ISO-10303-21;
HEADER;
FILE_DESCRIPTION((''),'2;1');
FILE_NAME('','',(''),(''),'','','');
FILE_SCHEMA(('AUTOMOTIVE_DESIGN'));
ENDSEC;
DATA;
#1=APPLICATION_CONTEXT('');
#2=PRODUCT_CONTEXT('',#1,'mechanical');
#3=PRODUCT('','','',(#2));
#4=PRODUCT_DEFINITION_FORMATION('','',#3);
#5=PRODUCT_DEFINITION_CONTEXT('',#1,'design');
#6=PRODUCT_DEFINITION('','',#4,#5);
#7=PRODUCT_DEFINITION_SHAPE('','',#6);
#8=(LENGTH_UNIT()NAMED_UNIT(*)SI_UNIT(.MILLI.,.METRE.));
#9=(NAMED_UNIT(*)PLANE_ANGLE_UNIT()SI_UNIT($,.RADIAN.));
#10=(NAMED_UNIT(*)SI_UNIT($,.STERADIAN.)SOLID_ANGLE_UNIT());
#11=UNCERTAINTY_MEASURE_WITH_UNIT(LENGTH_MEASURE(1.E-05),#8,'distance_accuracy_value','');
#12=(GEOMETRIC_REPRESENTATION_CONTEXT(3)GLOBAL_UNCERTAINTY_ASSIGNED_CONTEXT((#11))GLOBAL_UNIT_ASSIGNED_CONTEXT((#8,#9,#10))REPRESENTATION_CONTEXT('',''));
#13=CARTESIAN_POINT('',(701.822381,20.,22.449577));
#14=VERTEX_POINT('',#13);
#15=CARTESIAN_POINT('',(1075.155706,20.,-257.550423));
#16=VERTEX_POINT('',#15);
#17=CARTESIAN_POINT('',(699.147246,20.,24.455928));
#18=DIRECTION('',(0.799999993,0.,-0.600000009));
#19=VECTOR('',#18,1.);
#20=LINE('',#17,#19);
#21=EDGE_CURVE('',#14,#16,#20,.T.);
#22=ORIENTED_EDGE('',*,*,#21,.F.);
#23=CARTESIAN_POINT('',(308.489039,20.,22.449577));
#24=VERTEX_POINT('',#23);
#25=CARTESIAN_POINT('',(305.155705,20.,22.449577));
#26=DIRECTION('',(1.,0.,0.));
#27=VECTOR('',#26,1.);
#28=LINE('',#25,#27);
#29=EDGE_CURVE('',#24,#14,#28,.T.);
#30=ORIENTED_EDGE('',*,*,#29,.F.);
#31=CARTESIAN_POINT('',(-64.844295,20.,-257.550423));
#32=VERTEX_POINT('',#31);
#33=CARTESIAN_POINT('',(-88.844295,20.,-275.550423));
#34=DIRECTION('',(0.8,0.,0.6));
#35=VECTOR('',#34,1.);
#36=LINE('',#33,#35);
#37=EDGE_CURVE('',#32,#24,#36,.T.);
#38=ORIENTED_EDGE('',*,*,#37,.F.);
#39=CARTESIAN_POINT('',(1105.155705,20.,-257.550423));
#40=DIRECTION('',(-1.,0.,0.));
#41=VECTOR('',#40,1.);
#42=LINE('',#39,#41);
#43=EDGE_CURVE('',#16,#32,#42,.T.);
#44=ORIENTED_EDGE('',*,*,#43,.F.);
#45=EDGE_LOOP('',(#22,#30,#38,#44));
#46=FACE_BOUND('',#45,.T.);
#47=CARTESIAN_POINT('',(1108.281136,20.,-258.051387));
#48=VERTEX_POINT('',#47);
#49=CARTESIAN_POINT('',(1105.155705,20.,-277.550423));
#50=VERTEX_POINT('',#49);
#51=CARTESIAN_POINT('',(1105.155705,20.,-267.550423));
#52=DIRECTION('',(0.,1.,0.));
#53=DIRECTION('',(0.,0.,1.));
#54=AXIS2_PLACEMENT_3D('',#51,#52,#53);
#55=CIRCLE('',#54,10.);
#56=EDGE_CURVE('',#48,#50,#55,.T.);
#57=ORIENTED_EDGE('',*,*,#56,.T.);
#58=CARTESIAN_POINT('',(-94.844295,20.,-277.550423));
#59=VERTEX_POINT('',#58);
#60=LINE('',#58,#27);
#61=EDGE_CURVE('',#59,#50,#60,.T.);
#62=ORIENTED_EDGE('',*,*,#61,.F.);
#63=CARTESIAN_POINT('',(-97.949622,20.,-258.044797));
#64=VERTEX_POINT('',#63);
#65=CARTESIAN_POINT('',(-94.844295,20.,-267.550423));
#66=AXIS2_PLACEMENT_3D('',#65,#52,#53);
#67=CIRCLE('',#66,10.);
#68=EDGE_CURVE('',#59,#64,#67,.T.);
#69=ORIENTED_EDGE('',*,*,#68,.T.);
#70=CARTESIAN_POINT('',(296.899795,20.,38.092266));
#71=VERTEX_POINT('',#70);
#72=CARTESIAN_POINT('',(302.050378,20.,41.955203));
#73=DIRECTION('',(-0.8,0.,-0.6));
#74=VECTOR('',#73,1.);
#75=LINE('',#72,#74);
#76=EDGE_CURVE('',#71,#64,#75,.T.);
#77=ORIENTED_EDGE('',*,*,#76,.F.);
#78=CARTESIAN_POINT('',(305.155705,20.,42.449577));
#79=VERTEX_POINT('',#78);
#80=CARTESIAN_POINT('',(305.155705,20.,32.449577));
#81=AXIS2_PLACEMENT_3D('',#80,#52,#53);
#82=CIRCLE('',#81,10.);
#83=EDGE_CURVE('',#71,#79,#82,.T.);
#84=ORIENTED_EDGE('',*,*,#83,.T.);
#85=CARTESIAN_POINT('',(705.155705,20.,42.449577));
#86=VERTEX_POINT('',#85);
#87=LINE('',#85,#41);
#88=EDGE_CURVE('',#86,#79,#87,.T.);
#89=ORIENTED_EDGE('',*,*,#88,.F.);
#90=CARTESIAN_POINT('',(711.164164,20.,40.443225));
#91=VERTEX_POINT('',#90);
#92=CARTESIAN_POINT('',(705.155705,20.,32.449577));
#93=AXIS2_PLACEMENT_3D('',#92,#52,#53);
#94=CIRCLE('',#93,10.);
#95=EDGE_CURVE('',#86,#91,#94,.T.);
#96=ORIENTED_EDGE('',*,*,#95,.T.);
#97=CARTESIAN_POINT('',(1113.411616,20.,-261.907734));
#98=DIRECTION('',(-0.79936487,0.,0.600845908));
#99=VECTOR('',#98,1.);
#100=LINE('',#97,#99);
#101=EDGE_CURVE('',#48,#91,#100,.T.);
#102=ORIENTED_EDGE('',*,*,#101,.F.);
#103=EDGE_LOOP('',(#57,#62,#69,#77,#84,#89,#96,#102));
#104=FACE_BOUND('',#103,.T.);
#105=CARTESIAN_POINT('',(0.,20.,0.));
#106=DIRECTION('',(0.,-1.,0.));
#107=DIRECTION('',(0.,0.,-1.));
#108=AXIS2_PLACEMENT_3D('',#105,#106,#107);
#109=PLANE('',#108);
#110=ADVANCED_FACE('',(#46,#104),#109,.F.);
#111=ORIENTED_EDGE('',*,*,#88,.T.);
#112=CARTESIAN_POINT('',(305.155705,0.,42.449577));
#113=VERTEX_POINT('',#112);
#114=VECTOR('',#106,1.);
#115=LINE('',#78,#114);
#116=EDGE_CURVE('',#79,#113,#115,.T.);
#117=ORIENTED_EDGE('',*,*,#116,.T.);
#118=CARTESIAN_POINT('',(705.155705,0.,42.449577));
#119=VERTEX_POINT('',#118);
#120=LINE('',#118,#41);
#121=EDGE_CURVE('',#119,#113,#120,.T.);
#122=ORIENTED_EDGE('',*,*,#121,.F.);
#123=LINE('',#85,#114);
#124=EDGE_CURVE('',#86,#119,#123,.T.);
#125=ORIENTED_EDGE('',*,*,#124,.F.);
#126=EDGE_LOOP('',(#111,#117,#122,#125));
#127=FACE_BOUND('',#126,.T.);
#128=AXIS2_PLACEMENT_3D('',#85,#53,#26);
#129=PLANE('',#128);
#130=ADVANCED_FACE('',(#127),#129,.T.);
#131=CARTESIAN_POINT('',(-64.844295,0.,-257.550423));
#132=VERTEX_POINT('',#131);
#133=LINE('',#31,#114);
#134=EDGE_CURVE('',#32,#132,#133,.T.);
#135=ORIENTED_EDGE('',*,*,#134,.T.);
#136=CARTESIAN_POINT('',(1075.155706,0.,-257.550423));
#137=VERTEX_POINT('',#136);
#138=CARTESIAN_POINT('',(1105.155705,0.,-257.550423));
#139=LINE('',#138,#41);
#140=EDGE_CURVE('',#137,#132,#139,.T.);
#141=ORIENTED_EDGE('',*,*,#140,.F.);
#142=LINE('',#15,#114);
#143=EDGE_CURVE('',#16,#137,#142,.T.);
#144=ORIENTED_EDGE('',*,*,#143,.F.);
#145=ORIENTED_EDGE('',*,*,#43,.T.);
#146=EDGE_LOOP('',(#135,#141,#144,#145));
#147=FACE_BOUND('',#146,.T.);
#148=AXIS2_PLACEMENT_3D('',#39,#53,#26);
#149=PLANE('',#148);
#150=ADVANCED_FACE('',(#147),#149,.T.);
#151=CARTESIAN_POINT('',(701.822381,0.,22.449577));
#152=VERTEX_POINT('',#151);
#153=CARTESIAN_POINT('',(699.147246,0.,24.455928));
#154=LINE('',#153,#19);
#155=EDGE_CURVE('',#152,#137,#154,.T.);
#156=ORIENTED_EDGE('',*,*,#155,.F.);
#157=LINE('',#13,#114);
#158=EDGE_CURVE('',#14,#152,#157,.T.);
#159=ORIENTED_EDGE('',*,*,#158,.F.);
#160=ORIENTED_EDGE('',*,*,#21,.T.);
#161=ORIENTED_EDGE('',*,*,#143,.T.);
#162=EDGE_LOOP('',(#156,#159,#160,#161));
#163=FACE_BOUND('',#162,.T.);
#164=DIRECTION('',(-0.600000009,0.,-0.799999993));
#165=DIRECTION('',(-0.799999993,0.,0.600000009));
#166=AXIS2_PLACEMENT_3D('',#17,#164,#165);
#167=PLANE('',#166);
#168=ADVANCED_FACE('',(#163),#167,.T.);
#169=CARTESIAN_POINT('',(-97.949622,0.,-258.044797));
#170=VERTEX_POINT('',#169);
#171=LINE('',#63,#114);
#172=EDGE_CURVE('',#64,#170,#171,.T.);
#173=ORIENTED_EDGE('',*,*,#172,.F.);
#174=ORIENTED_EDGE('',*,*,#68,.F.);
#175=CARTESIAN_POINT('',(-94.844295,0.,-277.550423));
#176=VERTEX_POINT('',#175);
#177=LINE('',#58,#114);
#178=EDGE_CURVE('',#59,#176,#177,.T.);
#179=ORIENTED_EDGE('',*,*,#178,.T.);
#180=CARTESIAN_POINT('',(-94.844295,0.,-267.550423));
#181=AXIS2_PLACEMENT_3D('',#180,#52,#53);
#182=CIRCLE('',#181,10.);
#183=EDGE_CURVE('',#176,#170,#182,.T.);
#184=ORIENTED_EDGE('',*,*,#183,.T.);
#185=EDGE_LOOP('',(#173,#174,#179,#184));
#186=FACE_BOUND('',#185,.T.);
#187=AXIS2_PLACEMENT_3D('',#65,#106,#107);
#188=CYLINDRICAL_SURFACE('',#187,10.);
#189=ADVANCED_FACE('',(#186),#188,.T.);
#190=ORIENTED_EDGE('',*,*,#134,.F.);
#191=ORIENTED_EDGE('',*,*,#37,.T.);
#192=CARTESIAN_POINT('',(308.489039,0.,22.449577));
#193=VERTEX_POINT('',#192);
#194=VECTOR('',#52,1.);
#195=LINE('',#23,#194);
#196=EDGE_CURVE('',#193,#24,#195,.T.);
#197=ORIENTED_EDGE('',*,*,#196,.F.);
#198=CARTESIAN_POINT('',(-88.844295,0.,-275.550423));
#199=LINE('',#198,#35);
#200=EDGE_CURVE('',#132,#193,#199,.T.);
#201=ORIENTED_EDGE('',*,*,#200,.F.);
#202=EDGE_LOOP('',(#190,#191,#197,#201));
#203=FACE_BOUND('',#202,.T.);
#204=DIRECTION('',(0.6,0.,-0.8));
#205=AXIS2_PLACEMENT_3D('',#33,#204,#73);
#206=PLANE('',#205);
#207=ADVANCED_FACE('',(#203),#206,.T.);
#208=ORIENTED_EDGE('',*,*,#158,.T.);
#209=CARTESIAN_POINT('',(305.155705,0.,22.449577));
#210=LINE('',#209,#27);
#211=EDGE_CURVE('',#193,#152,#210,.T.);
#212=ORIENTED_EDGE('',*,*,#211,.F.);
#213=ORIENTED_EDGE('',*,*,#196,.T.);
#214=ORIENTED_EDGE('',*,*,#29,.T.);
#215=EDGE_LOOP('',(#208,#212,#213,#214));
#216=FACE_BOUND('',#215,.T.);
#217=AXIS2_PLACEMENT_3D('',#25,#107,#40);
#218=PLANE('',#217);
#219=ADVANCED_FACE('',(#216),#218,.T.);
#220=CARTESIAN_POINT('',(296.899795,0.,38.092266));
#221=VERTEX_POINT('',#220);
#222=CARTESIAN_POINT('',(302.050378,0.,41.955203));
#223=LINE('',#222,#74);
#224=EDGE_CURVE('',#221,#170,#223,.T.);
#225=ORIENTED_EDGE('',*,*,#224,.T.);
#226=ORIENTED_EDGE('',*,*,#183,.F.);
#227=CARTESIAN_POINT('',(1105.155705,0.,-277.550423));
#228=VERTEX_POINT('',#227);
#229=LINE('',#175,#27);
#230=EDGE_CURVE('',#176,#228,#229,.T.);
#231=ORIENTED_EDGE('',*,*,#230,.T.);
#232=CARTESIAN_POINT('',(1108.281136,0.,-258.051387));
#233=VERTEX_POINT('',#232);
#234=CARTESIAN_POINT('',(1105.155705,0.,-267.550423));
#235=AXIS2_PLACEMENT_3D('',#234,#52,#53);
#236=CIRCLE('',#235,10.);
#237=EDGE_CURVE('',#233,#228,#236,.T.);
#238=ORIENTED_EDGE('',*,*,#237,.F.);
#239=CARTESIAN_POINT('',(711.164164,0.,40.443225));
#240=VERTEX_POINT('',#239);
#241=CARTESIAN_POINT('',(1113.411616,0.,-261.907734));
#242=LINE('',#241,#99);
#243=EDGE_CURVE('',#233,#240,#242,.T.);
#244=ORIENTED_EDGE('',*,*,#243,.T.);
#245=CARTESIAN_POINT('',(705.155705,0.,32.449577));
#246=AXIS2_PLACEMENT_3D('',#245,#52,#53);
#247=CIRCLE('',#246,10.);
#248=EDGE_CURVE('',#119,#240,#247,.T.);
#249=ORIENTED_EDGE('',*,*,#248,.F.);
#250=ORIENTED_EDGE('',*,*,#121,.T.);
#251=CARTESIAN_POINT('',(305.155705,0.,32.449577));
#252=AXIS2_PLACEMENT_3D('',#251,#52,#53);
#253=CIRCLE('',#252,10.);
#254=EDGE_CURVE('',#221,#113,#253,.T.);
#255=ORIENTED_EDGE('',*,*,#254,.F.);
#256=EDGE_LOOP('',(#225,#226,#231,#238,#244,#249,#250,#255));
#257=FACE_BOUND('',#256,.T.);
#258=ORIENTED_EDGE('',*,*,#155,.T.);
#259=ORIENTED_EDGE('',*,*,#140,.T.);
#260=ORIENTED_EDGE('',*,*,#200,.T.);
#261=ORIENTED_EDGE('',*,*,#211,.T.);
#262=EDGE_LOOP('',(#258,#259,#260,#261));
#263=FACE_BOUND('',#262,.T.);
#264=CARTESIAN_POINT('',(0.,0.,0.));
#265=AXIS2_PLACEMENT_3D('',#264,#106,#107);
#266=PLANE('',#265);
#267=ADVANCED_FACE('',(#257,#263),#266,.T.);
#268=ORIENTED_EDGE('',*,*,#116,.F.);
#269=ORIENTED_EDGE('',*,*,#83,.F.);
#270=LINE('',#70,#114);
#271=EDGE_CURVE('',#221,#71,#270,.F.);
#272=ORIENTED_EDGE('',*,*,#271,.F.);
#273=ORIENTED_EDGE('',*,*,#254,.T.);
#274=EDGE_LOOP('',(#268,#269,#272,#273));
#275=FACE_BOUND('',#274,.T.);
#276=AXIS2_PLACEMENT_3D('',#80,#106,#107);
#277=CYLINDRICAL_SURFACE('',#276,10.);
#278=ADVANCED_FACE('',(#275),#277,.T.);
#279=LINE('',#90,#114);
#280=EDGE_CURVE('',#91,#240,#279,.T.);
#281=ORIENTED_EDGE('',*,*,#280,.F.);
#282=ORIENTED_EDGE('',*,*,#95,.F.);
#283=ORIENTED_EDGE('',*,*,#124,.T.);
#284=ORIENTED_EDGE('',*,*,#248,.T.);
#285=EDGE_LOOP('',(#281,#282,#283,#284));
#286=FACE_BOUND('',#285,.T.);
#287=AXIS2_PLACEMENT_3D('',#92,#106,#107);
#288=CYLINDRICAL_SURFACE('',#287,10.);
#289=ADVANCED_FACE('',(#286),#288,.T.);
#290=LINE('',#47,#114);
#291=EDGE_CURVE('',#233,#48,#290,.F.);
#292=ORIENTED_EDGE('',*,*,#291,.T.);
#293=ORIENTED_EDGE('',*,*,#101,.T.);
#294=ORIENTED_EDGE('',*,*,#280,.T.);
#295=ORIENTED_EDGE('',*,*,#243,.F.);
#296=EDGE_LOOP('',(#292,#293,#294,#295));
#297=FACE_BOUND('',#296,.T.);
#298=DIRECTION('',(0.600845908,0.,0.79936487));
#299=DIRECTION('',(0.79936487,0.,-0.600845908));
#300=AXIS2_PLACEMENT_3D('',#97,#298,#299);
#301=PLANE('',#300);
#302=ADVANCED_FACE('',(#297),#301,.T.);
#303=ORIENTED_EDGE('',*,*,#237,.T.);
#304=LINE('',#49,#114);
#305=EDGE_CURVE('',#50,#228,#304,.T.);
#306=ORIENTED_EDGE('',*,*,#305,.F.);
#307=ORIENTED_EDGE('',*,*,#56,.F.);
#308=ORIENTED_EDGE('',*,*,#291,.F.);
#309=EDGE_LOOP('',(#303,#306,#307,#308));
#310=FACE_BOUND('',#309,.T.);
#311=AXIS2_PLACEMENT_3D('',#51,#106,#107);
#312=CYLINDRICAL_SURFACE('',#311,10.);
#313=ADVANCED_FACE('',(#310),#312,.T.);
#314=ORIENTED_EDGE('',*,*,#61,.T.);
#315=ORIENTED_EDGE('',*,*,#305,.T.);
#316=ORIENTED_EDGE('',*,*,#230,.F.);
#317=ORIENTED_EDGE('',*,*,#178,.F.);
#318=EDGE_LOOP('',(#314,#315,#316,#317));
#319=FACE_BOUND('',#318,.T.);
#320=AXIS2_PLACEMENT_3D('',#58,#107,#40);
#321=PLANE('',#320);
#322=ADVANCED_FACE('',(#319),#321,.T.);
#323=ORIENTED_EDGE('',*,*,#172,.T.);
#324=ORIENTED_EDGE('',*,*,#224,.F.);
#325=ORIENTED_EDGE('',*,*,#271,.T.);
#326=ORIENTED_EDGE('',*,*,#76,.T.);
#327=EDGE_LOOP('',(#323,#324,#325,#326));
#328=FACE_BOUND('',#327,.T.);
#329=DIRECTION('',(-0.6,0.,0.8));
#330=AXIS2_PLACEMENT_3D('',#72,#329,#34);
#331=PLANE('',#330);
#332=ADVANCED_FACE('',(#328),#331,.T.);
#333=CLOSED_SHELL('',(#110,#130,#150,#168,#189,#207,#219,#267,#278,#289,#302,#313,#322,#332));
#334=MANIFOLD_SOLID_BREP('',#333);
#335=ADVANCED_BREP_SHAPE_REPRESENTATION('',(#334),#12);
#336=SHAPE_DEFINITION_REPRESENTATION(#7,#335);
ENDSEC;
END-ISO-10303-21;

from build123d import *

# Parameters (mm, degrees)
SKETCH1_R           = 10
SKETCH1_W           = 1200
SKETCH1_H           = 20
BOSS_EXTRUDE2_DEPTH = 20


with BuildPart() as part:
    # Sketch1 → Boss-Extrude2 (new body)
    with BuildSketch(Plane(origin=(0, 0, 0), x_dir=(1, 0, 0), z_dir=(0, 1, 0))):
        with Locations((-94.844294643, 267.550423494)):
            Circle(SKETCH1_R)
        with Locations((1105.155705357, 267.550423494)):
            Circle(SKETCH1_R)
        with Locations((305.155705357, -32.449576506)):
            Circle(SKETCH1_R)
        with Locations((705.155705357, -32.449576506)):
            Circle(SKETCH1_R)
        with BuildLine():
            Line((305.155705357, -22.449576506), (705.155705357, -22.449576506))
            Line((705.155705357, -22.449576506), (705.155705357, -42.449576506))
            Line((705.155705357, -42.449576506), (305.155705357, -42.449576506))
            ThreePointArc((305.155705357, -42.449576506), (315.155705357, -32.449576506), (305.155705357, -22.449576506))
        make_face()
        with Locations((505.155705357, 267.550423494)):
            Rectangle(SKETCH1_W, SKETCH1_H)
        Polygon((-88.844294643, 275.550423494), (311.155705357, -24.449576506), (302.050378198, -41.95520343), (-103.100204886, 261.907733883), align=None)
        Polygon((1113.4116156, 261.907733883), (711.164164437, -40.443225203), (699.147246278, -24.455927809), (1099.155705268, 275.550423427), align=None)
    extrude(amount=BOSS_EXTRUDE2_DEPTH)


solid = part.part
